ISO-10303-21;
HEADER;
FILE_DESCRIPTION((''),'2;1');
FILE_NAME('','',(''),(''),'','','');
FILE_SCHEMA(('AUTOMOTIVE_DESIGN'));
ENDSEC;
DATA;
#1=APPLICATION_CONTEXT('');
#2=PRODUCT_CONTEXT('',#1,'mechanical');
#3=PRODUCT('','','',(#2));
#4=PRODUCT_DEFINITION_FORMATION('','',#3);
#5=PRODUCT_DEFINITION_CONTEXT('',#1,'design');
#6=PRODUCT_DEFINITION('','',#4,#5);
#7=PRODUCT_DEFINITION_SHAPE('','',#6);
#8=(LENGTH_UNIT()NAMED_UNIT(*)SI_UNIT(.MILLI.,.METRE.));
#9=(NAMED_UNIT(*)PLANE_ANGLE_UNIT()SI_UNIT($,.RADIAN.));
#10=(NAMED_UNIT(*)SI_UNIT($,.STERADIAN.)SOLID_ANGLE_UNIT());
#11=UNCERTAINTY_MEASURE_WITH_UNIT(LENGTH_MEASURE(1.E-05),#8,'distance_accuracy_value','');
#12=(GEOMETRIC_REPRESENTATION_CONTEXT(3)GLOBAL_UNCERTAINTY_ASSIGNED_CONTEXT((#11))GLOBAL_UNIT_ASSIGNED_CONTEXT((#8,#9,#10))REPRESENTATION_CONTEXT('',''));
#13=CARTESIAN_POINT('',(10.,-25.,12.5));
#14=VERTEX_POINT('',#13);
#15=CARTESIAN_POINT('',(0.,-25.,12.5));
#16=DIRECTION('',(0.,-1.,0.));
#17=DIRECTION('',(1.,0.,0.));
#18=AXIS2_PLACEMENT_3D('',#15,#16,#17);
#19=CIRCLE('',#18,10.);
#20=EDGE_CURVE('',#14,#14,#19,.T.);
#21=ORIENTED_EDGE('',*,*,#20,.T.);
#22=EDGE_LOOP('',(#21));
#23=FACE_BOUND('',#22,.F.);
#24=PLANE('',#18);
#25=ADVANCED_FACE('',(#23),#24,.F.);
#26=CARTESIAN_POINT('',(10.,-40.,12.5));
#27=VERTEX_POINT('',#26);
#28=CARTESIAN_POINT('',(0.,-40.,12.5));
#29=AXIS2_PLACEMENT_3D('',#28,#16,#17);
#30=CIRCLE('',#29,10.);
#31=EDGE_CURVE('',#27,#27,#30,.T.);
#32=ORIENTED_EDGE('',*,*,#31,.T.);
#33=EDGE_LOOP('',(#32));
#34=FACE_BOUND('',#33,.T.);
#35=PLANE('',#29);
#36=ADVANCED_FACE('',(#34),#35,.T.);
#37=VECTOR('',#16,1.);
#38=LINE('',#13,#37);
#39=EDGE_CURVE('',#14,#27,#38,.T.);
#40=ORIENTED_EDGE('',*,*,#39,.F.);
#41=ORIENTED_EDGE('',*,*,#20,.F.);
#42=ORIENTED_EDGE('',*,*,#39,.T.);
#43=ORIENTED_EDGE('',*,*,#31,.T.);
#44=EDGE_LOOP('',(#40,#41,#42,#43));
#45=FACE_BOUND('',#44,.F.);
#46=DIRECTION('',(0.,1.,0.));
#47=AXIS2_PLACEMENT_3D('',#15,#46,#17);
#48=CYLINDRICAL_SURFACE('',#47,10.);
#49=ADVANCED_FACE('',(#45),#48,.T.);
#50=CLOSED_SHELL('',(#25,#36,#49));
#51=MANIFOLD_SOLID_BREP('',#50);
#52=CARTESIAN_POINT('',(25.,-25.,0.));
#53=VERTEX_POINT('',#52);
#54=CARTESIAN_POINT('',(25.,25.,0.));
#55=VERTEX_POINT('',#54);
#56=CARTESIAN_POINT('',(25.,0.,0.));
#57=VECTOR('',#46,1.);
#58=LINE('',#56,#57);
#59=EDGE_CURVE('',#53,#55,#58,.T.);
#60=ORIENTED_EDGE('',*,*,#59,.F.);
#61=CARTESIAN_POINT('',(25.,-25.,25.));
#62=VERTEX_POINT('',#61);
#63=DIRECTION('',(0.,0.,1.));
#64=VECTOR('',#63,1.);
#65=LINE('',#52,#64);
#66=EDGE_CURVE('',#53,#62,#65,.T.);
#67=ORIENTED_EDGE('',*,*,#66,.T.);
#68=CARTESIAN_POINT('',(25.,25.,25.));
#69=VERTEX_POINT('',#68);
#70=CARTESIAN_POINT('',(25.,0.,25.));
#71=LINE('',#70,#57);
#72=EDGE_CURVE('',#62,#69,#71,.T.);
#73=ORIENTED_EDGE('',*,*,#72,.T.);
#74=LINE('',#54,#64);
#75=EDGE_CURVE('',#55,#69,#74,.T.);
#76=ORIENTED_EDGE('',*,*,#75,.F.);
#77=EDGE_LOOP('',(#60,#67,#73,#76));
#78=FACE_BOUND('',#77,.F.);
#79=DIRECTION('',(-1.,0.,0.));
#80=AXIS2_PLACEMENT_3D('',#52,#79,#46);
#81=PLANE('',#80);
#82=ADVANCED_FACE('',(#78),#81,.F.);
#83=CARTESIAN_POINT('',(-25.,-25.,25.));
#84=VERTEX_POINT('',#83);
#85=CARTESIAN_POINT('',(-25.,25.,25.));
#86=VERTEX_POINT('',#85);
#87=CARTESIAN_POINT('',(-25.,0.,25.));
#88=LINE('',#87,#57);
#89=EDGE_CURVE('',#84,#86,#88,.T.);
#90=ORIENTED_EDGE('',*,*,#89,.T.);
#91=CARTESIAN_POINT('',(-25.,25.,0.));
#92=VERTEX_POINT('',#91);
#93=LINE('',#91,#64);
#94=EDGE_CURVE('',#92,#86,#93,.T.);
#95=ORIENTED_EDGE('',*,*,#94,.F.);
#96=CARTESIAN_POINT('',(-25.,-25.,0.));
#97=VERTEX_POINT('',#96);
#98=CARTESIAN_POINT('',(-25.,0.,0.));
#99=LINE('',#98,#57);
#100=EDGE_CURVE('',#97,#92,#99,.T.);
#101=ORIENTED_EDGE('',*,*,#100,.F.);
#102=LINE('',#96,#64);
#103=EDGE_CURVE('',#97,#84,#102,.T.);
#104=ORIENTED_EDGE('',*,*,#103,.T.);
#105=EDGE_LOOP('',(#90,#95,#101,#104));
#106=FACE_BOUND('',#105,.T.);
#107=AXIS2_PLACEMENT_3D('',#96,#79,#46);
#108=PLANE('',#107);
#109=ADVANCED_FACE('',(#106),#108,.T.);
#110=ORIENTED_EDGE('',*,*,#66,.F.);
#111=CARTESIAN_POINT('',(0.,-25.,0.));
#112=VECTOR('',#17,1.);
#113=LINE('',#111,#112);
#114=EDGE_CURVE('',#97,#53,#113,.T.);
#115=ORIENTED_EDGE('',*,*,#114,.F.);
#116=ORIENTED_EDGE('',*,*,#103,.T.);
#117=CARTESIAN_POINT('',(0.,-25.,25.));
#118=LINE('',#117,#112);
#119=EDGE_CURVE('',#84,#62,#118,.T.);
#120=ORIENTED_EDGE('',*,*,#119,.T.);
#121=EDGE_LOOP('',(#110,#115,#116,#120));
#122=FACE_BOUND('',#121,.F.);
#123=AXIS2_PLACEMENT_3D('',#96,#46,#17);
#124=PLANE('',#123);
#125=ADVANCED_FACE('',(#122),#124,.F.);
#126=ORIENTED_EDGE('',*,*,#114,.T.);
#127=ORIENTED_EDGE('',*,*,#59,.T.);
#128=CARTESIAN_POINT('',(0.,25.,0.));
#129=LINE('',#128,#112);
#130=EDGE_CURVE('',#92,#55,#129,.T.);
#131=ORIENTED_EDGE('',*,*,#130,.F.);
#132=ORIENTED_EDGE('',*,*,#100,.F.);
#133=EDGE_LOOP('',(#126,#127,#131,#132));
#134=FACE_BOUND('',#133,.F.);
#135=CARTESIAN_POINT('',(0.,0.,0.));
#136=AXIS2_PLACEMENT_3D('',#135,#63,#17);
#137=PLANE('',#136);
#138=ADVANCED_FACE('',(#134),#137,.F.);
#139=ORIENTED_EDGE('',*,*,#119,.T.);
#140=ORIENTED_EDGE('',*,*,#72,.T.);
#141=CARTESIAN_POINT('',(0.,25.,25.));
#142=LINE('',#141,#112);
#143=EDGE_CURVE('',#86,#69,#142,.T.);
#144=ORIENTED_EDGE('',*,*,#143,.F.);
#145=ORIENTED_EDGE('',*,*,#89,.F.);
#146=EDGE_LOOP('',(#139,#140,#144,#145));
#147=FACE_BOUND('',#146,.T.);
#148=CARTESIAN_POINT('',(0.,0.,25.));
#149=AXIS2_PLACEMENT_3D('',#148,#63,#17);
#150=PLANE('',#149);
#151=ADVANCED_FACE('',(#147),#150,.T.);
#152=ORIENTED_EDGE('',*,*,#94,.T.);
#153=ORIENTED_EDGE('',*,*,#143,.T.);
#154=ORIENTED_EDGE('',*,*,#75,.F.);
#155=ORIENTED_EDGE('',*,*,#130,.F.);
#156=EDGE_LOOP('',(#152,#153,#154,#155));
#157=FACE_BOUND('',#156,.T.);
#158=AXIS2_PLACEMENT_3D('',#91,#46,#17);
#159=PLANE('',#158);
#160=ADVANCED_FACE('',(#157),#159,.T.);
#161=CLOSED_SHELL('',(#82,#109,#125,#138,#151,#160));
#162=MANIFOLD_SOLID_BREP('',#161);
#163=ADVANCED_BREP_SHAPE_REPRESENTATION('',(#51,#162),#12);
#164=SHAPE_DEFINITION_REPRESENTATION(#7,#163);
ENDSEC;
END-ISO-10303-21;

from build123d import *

# Parameters (mm, degrees)
F0_W     = 50
F0_H     = 50
F1_DEPTH = 25
F3_R     = 10
F4_DEPTH = 15


with BuildPart() as f1:
    # F0 (on Top) → F1 (new body)
    with BuildSketch(Plane.XY):
        Rectangle(F0_W, F0_H)
    extrude(amount=F1_DEPTH)


with BuildPart() as f4:
    # F3 (on offset) → F4 (new body)
    with BuildSketch(Plane.XZ.offset(25)):
        with Locations((0, 12.5)):
            Circle(F3_R)
    extrude(amount=F4_DEPTH)


solid = Compound([f1.part, f4.part])
